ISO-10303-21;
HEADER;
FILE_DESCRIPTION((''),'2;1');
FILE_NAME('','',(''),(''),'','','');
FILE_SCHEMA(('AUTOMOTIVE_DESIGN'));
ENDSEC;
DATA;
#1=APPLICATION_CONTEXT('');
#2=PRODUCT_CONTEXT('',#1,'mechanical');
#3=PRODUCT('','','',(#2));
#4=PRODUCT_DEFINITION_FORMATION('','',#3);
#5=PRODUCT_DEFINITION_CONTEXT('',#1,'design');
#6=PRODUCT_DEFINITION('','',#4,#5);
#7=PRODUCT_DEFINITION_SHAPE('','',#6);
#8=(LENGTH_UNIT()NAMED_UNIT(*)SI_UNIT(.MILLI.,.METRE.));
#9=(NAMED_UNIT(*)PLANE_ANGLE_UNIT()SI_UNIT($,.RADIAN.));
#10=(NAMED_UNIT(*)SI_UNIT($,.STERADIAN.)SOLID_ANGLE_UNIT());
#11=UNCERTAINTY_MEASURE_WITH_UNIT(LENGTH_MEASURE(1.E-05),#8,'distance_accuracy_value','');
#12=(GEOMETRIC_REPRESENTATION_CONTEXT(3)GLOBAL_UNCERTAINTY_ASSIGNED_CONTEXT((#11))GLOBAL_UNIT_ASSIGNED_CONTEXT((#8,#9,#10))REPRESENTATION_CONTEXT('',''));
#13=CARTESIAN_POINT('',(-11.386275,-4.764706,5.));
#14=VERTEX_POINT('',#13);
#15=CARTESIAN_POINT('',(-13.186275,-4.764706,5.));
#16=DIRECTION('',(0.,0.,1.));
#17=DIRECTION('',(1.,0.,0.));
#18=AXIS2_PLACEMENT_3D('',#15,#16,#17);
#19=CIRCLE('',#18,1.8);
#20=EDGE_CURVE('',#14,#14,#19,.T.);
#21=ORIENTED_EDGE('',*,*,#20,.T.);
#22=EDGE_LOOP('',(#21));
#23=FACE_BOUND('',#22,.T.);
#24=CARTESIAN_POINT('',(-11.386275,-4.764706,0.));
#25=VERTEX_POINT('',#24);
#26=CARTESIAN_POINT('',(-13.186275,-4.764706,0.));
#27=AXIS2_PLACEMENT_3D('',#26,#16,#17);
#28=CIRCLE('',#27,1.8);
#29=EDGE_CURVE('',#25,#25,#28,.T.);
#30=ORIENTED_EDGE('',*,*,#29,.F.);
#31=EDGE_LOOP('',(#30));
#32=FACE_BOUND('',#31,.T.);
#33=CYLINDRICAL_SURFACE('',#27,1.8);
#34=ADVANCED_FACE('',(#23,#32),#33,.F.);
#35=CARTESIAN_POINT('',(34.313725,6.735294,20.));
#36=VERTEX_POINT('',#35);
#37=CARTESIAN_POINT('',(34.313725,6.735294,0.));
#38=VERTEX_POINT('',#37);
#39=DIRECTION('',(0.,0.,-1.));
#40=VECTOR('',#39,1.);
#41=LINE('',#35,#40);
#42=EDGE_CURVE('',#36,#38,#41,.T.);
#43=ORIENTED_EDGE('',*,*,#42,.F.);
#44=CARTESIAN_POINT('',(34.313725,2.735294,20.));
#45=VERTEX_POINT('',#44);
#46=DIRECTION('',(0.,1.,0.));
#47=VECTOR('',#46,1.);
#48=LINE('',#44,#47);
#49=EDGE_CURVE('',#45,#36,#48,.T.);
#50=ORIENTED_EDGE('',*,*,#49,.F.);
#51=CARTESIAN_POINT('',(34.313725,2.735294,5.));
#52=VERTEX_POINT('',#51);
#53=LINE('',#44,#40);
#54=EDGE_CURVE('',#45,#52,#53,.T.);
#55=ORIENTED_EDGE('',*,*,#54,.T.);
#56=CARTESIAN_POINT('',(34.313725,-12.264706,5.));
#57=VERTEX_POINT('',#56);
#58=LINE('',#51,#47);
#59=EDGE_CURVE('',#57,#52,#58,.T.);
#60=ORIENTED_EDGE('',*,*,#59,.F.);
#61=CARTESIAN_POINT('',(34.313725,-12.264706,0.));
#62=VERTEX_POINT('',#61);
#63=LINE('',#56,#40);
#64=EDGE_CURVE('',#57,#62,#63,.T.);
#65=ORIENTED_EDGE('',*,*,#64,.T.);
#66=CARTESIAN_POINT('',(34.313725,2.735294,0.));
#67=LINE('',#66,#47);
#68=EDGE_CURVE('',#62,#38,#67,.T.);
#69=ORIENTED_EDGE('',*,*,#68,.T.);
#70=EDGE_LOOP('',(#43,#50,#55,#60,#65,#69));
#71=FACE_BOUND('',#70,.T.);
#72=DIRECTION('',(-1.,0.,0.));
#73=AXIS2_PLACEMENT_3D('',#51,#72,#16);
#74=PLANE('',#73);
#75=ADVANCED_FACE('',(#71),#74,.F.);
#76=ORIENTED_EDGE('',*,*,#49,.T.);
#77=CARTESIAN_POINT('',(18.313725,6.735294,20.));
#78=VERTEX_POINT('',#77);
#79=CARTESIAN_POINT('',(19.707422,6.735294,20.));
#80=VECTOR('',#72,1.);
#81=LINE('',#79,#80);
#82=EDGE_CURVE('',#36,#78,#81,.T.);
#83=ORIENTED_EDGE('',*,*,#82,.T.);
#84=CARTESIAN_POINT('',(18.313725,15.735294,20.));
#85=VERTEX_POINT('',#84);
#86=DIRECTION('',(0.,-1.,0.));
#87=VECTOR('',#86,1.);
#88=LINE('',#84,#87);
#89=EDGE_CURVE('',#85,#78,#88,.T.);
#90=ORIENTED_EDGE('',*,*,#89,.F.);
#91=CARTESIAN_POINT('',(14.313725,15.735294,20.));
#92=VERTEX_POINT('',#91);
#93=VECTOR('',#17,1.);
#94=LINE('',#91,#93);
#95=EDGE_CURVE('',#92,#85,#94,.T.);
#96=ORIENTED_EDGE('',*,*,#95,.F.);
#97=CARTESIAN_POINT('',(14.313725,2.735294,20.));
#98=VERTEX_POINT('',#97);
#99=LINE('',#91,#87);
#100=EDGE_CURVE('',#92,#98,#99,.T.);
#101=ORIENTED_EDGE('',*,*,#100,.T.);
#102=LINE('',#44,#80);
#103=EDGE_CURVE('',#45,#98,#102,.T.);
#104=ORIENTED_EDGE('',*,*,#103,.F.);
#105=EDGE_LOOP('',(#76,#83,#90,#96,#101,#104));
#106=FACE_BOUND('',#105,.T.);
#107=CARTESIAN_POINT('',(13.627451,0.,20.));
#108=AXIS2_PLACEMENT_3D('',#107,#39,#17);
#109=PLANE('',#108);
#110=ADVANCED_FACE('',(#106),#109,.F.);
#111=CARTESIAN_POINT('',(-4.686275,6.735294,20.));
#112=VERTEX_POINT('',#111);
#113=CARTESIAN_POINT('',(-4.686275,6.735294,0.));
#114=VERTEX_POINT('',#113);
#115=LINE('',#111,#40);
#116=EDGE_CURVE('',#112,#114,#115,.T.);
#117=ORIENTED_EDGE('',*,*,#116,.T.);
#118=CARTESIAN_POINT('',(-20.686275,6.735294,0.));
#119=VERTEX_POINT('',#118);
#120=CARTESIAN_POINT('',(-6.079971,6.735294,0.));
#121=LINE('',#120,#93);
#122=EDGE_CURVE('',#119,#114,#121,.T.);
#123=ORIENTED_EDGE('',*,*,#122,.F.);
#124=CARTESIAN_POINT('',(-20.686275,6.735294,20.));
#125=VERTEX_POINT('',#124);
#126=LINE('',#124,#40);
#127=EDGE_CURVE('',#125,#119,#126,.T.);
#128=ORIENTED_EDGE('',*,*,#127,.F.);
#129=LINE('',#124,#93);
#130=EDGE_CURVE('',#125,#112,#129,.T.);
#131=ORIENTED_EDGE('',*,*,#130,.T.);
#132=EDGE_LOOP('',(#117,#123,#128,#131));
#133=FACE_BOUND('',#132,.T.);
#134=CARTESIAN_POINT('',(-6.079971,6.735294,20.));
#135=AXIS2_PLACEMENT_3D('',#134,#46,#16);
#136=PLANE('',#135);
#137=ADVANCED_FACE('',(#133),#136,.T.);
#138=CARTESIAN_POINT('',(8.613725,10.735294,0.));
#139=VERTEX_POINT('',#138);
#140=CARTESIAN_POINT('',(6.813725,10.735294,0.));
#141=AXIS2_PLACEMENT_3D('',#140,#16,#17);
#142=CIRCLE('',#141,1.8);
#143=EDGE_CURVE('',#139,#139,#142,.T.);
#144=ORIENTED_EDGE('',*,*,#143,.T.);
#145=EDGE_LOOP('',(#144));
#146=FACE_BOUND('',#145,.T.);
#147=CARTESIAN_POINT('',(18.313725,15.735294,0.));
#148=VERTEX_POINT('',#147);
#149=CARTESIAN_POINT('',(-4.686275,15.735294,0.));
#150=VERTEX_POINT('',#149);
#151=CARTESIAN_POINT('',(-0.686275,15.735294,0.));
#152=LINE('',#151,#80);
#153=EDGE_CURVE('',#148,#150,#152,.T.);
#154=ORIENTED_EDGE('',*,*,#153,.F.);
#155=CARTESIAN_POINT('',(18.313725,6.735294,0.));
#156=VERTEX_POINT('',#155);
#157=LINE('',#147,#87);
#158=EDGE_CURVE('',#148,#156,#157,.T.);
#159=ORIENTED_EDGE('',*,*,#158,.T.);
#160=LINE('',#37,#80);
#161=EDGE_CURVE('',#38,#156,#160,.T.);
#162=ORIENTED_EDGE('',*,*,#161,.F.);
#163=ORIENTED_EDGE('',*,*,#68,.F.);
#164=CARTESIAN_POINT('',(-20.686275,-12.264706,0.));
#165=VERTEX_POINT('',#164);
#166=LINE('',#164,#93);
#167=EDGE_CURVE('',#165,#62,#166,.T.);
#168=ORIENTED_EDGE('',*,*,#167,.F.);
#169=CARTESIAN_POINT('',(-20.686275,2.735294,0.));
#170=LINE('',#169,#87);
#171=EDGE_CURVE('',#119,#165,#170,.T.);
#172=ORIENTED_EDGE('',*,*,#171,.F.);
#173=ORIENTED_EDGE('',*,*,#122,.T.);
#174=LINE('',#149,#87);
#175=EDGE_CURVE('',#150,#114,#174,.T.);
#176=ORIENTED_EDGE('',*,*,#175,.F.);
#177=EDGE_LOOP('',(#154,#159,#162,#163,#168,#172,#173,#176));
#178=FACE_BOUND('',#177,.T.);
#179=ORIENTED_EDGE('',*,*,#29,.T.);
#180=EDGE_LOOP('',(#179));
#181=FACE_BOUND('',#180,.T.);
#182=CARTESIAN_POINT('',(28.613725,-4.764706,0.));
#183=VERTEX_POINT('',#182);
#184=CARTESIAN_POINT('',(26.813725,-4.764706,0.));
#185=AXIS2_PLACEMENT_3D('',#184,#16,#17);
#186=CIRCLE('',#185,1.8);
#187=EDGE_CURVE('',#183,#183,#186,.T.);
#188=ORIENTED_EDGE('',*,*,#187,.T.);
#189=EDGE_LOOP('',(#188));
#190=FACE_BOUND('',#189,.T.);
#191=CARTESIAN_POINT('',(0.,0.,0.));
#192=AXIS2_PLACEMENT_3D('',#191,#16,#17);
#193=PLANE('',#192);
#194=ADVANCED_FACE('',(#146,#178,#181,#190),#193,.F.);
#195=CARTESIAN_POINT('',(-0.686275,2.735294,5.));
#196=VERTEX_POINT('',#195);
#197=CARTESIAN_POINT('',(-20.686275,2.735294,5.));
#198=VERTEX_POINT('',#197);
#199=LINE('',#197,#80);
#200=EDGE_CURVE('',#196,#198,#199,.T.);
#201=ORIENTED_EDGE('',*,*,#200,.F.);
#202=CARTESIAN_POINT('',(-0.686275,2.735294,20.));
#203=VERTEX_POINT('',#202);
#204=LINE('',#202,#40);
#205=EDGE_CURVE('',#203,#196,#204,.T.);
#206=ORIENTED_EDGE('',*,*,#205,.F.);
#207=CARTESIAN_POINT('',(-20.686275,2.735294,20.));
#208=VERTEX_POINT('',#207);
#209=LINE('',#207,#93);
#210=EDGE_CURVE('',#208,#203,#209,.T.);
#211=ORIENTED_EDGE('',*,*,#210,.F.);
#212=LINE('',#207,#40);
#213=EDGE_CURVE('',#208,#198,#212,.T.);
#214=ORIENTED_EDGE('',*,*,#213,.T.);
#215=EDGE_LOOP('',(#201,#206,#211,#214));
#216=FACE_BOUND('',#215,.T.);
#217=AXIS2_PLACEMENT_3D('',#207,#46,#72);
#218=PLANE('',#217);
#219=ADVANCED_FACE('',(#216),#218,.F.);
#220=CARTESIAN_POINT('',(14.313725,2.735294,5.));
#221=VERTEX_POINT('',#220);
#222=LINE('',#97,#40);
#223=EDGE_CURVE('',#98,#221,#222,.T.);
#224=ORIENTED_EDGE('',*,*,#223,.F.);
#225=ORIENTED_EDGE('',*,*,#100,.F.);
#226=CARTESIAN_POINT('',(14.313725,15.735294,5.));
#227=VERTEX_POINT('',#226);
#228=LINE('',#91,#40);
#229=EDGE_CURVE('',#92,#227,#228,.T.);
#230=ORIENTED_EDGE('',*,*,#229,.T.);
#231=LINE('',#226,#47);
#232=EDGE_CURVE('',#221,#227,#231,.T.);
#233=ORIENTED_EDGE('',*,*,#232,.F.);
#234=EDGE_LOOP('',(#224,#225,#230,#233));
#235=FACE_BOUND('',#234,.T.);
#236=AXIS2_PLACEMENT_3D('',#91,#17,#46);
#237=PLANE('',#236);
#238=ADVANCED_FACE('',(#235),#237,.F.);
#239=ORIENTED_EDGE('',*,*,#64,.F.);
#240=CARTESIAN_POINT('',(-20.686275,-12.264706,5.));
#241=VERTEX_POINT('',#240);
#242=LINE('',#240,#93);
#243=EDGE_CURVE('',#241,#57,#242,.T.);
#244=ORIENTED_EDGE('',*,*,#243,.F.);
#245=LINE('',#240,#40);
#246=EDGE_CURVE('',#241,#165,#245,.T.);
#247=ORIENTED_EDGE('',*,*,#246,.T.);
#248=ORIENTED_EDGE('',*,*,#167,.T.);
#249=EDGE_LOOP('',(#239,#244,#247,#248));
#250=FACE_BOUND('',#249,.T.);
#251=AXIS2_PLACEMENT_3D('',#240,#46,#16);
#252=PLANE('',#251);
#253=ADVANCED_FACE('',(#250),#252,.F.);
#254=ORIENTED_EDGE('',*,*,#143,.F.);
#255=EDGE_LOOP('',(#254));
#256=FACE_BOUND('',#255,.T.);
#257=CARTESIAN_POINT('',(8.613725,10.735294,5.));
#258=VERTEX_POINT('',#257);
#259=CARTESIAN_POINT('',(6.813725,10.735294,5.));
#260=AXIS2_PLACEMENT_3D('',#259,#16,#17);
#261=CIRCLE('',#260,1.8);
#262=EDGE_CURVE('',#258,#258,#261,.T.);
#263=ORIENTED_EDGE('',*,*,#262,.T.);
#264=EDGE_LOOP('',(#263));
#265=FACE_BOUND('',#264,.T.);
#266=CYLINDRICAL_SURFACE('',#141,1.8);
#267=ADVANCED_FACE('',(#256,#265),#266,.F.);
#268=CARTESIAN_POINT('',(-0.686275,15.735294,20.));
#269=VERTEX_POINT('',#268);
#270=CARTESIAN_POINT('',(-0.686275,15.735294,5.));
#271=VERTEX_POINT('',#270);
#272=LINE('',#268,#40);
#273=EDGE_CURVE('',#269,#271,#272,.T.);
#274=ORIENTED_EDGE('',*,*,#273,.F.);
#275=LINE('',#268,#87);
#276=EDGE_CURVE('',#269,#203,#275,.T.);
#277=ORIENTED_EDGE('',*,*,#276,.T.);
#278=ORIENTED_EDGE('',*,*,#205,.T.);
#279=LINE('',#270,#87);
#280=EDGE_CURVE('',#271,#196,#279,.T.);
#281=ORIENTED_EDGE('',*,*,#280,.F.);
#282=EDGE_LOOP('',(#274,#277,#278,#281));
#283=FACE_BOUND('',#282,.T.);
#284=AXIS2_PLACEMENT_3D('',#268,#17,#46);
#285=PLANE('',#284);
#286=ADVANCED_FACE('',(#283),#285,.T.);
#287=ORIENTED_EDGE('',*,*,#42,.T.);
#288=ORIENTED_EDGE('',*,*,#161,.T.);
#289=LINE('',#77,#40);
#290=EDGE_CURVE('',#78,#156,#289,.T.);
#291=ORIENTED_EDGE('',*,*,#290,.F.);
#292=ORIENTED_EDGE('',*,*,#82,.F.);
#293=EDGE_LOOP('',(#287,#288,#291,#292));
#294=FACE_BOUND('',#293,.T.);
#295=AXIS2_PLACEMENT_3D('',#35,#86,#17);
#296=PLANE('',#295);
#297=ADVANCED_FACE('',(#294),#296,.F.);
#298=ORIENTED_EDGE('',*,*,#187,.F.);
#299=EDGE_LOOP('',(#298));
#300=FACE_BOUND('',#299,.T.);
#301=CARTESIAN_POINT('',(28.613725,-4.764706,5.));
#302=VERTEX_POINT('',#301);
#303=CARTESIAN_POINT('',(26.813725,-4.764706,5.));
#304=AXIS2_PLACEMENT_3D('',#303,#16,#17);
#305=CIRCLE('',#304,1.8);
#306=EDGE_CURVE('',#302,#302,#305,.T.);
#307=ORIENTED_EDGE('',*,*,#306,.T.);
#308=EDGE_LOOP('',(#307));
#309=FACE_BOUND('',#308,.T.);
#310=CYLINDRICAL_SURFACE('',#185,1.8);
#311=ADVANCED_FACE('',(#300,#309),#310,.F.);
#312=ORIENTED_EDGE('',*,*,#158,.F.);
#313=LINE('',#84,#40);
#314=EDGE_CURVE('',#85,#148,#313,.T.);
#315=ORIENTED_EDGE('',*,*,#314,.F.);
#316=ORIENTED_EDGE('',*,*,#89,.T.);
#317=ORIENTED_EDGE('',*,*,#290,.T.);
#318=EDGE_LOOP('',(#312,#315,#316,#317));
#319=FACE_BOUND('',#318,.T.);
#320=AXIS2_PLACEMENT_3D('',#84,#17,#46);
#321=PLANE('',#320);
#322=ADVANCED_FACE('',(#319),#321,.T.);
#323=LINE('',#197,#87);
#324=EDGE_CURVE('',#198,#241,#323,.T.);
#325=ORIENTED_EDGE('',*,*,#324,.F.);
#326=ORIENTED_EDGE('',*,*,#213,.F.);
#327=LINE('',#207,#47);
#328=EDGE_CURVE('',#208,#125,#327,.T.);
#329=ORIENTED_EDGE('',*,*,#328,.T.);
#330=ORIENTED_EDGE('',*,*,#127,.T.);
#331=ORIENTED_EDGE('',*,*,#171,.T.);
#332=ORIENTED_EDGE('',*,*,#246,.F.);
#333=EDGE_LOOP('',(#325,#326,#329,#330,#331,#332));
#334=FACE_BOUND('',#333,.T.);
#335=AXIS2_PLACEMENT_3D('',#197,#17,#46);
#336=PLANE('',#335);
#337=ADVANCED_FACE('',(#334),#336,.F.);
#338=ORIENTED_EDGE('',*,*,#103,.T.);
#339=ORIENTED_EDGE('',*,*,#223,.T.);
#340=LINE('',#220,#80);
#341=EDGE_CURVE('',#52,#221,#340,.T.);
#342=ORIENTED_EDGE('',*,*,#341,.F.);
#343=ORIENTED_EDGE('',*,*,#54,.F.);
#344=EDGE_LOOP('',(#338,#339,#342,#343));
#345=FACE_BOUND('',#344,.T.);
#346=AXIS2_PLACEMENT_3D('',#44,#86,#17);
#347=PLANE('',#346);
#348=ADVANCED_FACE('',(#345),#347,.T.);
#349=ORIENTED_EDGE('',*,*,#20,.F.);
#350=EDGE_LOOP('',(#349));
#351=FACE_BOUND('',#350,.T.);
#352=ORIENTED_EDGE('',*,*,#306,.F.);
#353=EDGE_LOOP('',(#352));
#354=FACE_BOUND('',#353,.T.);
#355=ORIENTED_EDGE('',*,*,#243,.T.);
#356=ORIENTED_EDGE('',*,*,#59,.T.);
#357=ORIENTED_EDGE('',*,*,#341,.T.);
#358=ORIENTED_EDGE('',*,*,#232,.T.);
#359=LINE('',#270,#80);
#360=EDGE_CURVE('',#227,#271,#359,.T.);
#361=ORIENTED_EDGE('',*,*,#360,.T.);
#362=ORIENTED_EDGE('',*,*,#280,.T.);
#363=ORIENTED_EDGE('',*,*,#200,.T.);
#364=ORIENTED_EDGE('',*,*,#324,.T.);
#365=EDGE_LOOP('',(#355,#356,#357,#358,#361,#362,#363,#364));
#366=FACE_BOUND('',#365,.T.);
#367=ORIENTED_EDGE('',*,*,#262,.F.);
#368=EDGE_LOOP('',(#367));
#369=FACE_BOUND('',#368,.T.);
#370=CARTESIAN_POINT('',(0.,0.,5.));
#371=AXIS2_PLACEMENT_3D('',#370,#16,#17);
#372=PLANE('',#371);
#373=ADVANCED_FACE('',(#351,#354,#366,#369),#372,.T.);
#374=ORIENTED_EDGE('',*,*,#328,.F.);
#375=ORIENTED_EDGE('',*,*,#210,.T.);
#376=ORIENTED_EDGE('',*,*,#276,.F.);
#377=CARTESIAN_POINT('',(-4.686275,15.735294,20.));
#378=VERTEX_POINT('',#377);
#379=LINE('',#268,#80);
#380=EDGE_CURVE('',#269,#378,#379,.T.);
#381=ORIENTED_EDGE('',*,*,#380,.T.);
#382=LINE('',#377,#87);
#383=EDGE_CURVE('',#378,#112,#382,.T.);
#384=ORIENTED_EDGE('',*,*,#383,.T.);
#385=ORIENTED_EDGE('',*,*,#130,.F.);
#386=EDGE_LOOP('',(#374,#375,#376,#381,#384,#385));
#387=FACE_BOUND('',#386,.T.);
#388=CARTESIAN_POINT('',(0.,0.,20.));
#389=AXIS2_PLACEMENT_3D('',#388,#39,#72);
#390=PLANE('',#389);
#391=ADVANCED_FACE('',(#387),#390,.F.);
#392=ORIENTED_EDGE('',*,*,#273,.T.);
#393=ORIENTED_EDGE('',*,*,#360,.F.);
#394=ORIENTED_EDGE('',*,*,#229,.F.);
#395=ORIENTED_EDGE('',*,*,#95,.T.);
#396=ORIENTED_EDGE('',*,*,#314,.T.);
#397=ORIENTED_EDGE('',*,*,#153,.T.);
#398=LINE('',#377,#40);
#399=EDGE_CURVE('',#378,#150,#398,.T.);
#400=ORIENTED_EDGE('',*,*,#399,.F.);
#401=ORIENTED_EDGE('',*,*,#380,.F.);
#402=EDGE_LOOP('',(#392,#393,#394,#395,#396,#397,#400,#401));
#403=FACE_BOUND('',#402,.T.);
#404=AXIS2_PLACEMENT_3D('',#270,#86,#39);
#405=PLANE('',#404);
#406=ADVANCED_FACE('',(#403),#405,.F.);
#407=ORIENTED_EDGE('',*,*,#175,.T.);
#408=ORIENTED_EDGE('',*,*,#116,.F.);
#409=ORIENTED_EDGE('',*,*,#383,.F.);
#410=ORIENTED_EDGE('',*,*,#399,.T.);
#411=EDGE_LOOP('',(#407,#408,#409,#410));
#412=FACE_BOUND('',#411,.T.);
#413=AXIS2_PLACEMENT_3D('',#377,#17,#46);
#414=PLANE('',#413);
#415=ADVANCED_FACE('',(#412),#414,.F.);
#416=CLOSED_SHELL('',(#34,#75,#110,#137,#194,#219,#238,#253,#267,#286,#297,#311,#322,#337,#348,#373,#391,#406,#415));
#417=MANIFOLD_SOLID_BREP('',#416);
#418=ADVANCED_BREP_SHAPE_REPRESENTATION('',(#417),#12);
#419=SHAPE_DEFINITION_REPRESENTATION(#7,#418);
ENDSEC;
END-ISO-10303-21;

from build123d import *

# Parameters (mm, degrees)
BOSS_EXTRUDE1_DEPTH = 5
BOSS_EXTRUDE2_DEPTH = 20
SKETCH6_R           = 1.8
CUT_EXTRUDE3_DEPTH  = 6


with BuildPart() as part:
    # Sketch1 → Boss-Extrude1 (new body)
    with BuildSketch(Plane.XY):
        Polygon((14.31372549, 2.735294118), (34.31372549, 2.735294118), (34.31372549, -12.264705882), (-20.68627451, -12.264705882), (-20.68627451, 2.735294118), (-0.68627451, 2.735294118), (-0.68627451, 15.735294118), (14.31372549, 15.735294118), align=None)
    extrude(amount=BOSS_EXTRUDE1_DEPTH)

    # Sketch2 → Boss-Extrude2 (add)
    with BuildSketch(Plane(origin=(0, 0, 0), x_dir=(-1, 0, 0), z_dir=(0, 0, -1))):
        Polygon((0.68627451, 15.735294118), (4.68627451, 15.735294118), (4.68627451, 6.735294118), (6.079970528, 6.735294118), (20.68627451, 6.735294118), (20.68627451, 2.735294118), (0.68627451, 2.735294118), align=None)
    boss_extrude2 = extrude(amount=-BOSS_EXTRUDE2_DEPTH)

    # Mirror1: Boss-Extrude2 across plane
    add(boss_extrude2.mirror(Plane.ZY.offset(-6.81372549)))

    # Sketch6 → Cut-Extrude3 (cut, through all)
    with BuildSketch(Plane.XY.offset(5)):
        with Locations((6.81372549, 10.735294118)):
            Circle(SKETCH6_R)
        with Locations((-13.18627451, -4.764705882)):
            Circle(SKETCH6_R)
        with Locations((26.81372549, -4.764705882)):
            Circle(SKETCH6_R)
    extrude(amount=-CUT_EXTRUDE3_DEPTH, mode=Mode.SUBTRACT)


solid = part.part
